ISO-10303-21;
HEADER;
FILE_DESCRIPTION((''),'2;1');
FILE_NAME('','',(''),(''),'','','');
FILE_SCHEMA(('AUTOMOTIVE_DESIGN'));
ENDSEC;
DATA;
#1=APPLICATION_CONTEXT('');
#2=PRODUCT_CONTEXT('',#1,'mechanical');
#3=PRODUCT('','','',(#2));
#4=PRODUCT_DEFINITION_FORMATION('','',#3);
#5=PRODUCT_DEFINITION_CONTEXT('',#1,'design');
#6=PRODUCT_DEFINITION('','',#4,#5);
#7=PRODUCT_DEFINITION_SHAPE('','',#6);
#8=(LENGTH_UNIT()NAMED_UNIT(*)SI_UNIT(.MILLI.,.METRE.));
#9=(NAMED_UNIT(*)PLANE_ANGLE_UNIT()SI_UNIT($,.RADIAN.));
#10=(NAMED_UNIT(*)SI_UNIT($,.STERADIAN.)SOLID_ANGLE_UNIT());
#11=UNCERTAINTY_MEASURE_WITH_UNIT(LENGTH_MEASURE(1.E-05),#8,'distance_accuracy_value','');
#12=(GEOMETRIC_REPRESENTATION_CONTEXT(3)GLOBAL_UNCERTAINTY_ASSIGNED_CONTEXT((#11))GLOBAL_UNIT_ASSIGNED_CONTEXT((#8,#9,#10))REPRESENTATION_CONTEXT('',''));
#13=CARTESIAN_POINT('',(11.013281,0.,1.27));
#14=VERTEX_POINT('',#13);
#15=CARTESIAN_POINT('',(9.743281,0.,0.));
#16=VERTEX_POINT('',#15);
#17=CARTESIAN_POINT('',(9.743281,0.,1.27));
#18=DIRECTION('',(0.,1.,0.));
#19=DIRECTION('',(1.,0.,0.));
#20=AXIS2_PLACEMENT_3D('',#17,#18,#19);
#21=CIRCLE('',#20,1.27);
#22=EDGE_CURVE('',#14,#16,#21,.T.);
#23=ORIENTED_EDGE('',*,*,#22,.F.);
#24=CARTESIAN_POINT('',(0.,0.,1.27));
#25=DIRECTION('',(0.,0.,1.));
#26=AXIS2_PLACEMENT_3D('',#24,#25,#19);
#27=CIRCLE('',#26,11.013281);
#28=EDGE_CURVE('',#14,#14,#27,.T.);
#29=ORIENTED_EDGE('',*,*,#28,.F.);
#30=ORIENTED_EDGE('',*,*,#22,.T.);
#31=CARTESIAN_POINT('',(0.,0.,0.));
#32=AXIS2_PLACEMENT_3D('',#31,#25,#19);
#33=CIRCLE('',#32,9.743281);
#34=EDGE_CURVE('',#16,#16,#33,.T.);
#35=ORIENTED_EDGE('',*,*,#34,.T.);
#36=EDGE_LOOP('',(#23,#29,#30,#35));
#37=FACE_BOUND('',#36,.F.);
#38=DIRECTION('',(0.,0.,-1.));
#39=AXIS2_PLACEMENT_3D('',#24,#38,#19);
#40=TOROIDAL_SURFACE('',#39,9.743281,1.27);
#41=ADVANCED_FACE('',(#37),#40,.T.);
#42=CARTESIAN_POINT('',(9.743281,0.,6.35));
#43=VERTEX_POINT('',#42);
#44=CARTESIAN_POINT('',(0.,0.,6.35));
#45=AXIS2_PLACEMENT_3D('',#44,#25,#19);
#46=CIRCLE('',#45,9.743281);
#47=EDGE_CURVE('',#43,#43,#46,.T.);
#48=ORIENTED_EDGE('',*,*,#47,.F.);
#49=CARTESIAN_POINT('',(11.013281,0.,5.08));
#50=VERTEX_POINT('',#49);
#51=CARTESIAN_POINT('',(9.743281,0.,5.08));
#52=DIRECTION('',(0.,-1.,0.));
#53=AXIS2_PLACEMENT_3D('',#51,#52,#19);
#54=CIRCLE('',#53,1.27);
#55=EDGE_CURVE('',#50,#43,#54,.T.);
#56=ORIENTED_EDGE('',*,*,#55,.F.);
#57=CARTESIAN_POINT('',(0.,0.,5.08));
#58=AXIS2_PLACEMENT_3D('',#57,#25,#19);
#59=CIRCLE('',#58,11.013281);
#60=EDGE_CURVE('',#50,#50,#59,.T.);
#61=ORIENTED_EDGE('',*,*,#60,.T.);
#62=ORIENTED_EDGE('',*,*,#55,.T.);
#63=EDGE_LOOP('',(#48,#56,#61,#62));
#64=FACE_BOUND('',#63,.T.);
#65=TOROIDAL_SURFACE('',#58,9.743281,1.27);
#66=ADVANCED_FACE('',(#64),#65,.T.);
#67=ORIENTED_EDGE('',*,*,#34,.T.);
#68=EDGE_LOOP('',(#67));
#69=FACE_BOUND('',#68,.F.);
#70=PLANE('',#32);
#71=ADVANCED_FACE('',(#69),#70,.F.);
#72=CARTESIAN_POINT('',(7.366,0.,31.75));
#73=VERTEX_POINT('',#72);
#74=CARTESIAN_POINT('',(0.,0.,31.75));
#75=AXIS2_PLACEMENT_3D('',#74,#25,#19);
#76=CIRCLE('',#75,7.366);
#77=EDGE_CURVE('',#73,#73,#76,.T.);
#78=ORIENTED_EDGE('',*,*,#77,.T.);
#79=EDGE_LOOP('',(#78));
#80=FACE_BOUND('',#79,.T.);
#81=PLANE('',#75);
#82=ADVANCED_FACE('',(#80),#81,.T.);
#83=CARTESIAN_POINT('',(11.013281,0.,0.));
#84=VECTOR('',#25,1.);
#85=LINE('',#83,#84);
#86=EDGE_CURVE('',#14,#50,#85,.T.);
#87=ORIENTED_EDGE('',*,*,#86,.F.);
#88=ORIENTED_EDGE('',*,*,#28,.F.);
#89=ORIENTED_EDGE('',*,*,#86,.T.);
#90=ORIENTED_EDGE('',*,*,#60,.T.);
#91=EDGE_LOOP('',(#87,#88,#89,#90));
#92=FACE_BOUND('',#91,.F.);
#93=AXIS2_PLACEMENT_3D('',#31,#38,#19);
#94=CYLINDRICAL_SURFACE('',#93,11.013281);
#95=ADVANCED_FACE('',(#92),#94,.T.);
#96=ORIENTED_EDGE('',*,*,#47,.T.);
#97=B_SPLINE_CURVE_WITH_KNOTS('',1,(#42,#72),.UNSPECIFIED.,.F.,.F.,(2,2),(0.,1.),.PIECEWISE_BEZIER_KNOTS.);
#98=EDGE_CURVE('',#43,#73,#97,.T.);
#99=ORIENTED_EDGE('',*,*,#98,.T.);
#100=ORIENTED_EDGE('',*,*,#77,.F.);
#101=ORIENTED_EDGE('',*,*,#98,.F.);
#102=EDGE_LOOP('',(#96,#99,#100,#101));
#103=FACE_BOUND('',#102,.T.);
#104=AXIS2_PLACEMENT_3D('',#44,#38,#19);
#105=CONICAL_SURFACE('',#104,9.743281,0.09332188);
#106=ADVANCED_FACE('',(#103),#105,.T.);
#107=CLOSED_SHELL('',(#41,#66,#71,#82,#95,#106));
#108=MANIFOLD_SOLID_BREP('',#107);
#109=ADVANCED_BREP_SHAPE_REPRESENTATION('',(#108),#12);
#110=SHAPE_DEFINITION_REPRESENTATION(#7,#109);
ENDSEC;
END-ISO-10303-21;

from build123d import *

# Parameters (mm, degrees)
F0_R      = 11.013281
F1_DEPTH  = 6.35
F2_R      = 1.27
F1_FACE_R = 9.743281
F4_R      = 7.366


with BuildPart() as f1:
    # F0 (on Top) → F1 (new body)
    with BuildSketch(Plane.XY):
        Circle(F0_R)
    extrude(amount=F1_DEPTH)

    # F2
    f2_edges = [f1.edges().sort_by_distance(p)[0] for p in [
        (-11.013281, 0, 6.35),
        (-11.013281, 0, 0),
    ]]
    fillet(f2_edges, radius=F2_R)

    # F1_face (on face) → F5 section 0
    with BuildSketch(Plane.XY.offset(6.35)):
        Circle(F1_FACE_R)
    # F4 (on offset) → F5 section 1
    with BuildSketch(Plane.XY.offset(31.75)):
        Circle(F4_R)
    loft()


solid = f1.part
